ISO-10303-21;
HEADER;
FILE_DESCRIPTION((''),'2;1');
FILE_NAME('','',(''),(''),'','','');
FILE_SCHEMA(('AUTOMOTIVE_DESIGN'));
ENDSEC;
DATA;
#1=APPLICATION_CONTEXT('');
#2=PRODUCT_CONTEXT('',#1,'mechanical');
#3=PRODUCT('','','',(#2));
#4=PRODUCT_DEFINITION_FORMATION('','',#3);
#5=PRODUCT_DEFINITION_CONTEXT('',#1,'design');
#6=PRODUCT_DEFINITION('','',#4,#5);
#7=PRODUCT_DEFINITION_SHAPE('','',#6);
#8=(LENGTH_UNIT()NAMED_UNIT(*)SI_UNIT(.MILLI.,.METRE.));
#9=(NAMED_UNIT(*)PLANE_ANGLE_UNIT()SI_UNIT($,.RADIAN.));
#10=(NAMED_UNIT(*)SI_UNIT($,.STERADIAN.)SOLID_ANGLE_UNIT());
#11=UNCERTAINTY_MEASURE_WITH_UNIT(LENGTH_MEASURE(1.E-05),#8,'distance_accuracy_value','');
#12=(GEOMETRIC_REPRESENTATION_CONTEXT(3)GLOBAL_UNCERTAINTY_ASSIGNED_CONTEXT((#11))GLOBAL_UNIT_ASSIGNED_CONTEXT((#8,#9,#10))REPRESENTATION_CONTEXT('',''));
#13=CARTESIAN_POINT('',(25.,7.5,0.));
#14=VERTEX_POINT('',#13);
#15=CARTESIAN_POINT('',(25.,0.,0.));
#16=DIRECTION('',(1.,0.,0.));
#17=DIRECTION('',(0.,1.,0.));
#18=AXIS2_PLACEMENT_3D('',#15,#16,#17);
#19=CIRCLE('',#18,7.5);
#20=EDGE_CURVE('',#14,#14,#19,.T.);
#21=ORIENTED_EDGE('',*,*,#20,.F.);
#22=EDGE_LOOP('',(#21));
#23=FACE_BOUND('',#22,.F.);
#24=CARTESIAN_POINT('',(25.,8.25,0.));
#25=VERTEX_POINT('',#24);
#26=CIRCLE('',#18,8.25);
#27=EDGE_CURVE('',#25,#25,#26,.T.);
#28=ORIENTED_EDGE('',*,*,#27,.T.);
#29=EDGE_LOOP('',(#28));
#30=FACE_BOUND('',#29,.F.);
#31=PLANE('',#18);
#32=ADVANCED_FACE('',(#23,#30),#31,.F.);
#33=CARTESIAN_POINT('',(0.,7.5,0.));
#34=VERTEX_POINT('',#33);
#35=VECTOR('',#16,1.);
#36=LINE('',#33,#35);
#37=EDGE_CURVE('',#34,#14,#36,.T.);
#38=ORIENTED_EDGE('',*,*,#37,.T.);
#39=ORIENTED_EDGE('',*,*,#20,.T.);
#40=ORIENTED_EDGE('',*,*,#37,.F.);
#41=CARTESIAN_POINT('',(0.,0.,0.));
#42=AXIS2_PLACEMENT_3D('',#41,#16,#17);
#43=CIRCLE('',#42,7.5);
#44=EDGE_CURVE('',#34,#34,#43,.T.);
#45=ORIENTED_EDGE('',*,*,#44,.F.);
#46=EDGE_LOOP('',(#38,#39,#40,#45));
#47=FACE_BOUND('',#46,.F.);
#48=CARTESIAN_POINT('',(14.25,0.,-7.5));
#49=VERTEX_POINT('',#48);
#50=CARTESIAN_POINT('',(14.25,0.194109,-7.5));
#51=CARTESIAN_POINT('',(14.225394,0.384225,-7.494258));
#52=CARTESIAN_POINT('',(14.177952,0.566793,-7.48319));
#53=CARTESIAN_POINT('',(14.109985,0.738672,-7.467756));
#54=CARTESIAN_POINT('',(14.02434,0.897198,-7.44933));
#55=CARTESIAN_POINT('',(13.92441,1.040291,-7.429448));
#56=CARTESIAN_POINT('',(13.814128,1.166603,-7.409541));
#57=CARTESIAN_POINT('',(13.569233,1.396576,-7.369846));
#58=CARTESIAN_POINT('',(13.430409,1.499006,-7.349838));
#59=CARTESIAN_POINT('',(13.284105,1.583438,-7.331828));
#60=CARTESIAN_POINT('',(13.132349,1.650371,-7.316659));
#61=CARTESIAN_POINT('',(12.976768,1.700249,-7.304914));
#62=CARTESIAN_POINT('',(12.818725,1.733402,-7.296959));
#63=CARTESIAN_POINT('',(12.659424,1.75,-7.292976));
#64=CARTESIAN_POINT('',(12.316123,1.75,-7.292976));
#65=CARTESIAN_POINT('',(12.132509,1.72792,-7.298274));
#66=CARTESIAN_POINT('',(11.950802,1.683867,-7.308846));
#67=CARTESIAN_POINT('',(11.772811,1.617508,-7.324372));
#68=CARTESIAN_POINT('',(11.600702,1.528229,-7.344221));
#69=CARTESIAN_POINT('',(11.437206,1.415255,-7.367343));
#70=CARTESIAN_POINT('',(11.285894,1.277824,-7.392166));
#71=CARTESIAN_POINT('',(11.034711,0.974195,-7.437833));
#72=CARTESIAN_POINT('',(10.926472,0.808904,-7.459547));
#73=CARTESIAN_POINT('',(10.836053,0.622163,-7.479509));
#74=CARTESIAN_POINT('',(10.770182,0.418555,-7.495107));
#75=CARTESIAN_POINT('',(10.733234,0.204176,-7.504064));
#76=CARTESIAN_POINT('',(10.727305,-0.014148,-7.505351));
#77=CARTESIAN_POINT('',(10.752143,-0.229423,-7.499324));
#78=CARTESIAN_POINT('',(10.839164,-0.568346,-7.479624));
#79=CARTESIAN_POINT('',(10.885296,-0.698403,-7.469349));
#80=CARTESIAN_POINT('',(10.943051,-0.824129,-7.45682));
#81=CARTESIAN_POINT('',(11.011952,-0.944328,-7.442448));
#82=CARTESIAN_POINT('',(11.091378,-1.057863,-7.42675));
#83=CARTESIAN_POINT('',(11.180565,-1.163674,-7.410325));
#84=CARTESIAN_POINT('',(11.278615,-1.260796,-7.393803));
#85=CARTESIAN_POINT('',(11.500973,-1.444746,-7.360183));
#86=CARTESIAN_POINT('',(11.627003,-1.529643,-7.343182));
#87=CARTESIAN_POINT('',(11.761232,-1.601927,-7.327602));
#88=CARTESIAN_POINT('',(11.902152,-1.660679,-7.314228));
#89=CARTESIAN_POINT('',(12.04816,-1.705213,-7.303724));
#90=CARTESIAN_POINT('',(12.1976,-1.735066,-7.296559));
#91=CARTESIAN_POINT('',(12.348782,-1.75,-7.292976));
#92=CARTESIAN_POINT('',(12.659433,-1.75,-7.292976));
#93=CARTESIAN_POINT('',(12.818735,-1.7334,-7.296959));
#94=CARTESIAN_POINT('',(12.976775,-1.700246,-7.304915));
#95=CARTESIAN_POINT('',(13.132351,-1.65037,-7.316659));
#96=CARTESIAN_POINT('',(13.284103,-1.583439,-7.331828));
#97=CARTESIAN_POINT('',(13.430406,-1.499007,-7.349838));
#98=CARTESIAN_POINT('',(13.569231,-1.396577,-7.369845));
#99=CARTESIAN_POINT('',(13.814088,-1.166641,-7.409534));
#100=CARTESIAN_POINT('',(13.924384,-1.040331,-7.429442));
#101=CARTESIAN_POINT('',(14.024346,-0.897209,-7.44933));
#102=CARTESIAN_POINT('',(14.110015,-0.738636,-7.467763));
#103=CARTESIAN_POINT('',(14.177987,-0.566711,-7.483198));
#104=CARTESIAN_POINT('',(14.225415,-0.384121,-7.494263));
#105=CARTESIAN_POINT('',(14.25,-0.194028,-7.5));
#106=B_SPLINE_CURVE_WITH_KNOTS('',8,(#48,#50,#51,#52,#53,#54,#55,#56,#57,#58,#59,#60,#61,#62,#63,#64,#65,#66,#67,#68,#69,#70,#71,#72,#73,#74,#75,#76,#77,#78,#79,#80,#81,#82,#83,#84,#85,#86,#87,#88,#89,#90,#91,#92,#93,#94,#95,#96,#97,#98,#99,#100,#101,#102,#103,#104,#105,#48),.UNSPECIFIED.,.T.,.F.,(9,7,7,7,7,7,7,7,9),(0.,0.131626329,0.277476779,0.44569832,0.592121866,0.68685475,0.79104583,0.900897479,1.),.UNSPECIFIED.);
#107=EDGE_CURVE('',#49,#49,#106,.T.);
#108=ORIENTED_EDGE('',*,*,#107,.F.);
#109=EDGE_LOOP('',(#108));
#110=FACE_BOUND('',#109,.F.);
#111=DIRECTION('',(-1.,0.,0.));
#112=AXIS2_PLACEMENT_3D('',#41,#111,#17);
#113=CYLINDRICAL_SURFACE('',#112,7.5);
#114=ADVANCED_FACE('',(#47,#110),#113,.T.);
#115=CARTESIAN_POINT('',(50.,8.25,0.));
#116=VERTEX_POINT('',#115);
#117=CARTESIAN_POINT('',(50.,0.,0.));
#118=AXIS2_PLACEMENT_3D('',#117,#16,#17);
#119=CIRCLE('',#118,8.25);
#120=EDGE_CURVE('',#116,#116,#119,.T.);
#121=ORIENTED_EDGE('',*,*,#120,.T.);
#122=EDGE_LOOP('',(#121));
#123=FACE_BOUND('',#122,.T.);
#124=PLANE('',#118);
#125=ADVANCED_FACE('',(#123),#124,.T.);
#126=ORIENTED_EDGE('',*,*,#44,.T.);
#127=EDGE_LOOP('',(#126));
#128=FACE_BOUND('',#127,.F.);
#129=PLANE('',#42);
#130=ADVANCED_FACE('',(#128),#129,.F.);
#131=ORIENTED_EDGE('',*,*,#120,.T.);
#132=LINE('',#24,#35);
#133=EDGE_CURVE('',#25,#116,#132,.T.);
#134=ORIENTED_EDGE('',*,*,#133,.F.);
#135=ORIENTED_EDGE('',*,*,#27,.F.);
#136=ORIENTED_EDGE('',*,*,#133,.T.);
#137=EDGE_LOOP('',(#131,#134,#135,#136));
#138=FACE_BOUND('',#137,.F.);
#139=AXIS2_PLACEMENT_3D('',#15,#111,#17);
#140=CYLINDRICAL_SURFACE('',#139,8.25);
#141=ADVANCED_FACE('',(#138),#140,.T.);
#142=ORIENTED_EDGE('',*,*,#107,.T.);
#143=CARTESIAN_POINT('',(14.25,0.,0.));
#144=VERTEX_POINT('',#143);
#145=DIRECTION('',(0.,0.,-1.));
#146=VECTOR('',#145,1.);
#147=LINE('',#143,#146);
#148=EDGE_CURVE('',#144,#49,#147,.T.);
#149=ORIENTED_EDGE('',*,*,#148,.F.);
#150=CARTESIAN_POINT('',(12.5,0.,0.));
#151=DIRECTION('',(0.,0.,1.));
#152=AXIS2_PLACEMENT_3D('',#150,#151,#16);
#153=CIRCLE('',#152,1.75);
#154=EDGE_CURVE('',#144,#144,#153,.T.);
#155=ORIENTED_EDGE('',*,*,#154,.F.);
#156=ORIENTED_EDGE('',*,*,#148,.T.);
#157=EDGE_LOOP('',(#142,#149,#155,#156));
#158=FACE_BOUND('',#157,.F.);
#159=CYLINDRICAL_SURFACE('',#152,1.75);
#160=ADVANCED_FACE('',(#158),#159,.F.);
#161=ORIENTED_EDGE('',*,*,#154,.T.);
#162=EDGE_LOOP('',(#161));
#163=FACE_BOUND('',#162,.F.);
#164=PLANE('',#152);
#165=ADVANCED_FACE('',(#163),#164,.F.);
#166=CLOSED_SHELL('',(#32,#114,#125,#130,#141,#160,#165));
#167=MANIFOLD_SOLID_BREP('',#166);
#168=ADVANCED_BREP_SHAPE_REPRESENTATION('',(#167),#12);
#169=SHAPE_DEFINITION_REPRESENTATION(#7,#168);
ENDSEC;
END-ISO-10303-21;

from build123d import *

# Parameters (mm, degrees)
F0_R     = 7.5
F1_DEPTH = 25
F2_R     = 8.25
F3_DEPTH = 25
F4_R     = 1.75
F5_DEPTH = 25


with BuildPart() as f1:
    # F0 (on Right) → F1 (new body)
    with BuildSketch(Plane.YZ):
        Circle(F0_R)
    extrude(amount=F1_DEPTH)

    # F2 (on face) → F3 (join)
    with BuildSketch(Plane.YZ.offset(25)):
        Circle(F2_R)
    extrude(amount=F3_DEPTH)

    # F4 (on Top) → F5 (cut)
    with BuildSketch(Plane.XY):
        with Locations((12.5, 0)):
            Circle(F4_R)
    extrude(amount=-F5_DEPTH, mode=Mode.SUBTRACT)


solid = f1.part
